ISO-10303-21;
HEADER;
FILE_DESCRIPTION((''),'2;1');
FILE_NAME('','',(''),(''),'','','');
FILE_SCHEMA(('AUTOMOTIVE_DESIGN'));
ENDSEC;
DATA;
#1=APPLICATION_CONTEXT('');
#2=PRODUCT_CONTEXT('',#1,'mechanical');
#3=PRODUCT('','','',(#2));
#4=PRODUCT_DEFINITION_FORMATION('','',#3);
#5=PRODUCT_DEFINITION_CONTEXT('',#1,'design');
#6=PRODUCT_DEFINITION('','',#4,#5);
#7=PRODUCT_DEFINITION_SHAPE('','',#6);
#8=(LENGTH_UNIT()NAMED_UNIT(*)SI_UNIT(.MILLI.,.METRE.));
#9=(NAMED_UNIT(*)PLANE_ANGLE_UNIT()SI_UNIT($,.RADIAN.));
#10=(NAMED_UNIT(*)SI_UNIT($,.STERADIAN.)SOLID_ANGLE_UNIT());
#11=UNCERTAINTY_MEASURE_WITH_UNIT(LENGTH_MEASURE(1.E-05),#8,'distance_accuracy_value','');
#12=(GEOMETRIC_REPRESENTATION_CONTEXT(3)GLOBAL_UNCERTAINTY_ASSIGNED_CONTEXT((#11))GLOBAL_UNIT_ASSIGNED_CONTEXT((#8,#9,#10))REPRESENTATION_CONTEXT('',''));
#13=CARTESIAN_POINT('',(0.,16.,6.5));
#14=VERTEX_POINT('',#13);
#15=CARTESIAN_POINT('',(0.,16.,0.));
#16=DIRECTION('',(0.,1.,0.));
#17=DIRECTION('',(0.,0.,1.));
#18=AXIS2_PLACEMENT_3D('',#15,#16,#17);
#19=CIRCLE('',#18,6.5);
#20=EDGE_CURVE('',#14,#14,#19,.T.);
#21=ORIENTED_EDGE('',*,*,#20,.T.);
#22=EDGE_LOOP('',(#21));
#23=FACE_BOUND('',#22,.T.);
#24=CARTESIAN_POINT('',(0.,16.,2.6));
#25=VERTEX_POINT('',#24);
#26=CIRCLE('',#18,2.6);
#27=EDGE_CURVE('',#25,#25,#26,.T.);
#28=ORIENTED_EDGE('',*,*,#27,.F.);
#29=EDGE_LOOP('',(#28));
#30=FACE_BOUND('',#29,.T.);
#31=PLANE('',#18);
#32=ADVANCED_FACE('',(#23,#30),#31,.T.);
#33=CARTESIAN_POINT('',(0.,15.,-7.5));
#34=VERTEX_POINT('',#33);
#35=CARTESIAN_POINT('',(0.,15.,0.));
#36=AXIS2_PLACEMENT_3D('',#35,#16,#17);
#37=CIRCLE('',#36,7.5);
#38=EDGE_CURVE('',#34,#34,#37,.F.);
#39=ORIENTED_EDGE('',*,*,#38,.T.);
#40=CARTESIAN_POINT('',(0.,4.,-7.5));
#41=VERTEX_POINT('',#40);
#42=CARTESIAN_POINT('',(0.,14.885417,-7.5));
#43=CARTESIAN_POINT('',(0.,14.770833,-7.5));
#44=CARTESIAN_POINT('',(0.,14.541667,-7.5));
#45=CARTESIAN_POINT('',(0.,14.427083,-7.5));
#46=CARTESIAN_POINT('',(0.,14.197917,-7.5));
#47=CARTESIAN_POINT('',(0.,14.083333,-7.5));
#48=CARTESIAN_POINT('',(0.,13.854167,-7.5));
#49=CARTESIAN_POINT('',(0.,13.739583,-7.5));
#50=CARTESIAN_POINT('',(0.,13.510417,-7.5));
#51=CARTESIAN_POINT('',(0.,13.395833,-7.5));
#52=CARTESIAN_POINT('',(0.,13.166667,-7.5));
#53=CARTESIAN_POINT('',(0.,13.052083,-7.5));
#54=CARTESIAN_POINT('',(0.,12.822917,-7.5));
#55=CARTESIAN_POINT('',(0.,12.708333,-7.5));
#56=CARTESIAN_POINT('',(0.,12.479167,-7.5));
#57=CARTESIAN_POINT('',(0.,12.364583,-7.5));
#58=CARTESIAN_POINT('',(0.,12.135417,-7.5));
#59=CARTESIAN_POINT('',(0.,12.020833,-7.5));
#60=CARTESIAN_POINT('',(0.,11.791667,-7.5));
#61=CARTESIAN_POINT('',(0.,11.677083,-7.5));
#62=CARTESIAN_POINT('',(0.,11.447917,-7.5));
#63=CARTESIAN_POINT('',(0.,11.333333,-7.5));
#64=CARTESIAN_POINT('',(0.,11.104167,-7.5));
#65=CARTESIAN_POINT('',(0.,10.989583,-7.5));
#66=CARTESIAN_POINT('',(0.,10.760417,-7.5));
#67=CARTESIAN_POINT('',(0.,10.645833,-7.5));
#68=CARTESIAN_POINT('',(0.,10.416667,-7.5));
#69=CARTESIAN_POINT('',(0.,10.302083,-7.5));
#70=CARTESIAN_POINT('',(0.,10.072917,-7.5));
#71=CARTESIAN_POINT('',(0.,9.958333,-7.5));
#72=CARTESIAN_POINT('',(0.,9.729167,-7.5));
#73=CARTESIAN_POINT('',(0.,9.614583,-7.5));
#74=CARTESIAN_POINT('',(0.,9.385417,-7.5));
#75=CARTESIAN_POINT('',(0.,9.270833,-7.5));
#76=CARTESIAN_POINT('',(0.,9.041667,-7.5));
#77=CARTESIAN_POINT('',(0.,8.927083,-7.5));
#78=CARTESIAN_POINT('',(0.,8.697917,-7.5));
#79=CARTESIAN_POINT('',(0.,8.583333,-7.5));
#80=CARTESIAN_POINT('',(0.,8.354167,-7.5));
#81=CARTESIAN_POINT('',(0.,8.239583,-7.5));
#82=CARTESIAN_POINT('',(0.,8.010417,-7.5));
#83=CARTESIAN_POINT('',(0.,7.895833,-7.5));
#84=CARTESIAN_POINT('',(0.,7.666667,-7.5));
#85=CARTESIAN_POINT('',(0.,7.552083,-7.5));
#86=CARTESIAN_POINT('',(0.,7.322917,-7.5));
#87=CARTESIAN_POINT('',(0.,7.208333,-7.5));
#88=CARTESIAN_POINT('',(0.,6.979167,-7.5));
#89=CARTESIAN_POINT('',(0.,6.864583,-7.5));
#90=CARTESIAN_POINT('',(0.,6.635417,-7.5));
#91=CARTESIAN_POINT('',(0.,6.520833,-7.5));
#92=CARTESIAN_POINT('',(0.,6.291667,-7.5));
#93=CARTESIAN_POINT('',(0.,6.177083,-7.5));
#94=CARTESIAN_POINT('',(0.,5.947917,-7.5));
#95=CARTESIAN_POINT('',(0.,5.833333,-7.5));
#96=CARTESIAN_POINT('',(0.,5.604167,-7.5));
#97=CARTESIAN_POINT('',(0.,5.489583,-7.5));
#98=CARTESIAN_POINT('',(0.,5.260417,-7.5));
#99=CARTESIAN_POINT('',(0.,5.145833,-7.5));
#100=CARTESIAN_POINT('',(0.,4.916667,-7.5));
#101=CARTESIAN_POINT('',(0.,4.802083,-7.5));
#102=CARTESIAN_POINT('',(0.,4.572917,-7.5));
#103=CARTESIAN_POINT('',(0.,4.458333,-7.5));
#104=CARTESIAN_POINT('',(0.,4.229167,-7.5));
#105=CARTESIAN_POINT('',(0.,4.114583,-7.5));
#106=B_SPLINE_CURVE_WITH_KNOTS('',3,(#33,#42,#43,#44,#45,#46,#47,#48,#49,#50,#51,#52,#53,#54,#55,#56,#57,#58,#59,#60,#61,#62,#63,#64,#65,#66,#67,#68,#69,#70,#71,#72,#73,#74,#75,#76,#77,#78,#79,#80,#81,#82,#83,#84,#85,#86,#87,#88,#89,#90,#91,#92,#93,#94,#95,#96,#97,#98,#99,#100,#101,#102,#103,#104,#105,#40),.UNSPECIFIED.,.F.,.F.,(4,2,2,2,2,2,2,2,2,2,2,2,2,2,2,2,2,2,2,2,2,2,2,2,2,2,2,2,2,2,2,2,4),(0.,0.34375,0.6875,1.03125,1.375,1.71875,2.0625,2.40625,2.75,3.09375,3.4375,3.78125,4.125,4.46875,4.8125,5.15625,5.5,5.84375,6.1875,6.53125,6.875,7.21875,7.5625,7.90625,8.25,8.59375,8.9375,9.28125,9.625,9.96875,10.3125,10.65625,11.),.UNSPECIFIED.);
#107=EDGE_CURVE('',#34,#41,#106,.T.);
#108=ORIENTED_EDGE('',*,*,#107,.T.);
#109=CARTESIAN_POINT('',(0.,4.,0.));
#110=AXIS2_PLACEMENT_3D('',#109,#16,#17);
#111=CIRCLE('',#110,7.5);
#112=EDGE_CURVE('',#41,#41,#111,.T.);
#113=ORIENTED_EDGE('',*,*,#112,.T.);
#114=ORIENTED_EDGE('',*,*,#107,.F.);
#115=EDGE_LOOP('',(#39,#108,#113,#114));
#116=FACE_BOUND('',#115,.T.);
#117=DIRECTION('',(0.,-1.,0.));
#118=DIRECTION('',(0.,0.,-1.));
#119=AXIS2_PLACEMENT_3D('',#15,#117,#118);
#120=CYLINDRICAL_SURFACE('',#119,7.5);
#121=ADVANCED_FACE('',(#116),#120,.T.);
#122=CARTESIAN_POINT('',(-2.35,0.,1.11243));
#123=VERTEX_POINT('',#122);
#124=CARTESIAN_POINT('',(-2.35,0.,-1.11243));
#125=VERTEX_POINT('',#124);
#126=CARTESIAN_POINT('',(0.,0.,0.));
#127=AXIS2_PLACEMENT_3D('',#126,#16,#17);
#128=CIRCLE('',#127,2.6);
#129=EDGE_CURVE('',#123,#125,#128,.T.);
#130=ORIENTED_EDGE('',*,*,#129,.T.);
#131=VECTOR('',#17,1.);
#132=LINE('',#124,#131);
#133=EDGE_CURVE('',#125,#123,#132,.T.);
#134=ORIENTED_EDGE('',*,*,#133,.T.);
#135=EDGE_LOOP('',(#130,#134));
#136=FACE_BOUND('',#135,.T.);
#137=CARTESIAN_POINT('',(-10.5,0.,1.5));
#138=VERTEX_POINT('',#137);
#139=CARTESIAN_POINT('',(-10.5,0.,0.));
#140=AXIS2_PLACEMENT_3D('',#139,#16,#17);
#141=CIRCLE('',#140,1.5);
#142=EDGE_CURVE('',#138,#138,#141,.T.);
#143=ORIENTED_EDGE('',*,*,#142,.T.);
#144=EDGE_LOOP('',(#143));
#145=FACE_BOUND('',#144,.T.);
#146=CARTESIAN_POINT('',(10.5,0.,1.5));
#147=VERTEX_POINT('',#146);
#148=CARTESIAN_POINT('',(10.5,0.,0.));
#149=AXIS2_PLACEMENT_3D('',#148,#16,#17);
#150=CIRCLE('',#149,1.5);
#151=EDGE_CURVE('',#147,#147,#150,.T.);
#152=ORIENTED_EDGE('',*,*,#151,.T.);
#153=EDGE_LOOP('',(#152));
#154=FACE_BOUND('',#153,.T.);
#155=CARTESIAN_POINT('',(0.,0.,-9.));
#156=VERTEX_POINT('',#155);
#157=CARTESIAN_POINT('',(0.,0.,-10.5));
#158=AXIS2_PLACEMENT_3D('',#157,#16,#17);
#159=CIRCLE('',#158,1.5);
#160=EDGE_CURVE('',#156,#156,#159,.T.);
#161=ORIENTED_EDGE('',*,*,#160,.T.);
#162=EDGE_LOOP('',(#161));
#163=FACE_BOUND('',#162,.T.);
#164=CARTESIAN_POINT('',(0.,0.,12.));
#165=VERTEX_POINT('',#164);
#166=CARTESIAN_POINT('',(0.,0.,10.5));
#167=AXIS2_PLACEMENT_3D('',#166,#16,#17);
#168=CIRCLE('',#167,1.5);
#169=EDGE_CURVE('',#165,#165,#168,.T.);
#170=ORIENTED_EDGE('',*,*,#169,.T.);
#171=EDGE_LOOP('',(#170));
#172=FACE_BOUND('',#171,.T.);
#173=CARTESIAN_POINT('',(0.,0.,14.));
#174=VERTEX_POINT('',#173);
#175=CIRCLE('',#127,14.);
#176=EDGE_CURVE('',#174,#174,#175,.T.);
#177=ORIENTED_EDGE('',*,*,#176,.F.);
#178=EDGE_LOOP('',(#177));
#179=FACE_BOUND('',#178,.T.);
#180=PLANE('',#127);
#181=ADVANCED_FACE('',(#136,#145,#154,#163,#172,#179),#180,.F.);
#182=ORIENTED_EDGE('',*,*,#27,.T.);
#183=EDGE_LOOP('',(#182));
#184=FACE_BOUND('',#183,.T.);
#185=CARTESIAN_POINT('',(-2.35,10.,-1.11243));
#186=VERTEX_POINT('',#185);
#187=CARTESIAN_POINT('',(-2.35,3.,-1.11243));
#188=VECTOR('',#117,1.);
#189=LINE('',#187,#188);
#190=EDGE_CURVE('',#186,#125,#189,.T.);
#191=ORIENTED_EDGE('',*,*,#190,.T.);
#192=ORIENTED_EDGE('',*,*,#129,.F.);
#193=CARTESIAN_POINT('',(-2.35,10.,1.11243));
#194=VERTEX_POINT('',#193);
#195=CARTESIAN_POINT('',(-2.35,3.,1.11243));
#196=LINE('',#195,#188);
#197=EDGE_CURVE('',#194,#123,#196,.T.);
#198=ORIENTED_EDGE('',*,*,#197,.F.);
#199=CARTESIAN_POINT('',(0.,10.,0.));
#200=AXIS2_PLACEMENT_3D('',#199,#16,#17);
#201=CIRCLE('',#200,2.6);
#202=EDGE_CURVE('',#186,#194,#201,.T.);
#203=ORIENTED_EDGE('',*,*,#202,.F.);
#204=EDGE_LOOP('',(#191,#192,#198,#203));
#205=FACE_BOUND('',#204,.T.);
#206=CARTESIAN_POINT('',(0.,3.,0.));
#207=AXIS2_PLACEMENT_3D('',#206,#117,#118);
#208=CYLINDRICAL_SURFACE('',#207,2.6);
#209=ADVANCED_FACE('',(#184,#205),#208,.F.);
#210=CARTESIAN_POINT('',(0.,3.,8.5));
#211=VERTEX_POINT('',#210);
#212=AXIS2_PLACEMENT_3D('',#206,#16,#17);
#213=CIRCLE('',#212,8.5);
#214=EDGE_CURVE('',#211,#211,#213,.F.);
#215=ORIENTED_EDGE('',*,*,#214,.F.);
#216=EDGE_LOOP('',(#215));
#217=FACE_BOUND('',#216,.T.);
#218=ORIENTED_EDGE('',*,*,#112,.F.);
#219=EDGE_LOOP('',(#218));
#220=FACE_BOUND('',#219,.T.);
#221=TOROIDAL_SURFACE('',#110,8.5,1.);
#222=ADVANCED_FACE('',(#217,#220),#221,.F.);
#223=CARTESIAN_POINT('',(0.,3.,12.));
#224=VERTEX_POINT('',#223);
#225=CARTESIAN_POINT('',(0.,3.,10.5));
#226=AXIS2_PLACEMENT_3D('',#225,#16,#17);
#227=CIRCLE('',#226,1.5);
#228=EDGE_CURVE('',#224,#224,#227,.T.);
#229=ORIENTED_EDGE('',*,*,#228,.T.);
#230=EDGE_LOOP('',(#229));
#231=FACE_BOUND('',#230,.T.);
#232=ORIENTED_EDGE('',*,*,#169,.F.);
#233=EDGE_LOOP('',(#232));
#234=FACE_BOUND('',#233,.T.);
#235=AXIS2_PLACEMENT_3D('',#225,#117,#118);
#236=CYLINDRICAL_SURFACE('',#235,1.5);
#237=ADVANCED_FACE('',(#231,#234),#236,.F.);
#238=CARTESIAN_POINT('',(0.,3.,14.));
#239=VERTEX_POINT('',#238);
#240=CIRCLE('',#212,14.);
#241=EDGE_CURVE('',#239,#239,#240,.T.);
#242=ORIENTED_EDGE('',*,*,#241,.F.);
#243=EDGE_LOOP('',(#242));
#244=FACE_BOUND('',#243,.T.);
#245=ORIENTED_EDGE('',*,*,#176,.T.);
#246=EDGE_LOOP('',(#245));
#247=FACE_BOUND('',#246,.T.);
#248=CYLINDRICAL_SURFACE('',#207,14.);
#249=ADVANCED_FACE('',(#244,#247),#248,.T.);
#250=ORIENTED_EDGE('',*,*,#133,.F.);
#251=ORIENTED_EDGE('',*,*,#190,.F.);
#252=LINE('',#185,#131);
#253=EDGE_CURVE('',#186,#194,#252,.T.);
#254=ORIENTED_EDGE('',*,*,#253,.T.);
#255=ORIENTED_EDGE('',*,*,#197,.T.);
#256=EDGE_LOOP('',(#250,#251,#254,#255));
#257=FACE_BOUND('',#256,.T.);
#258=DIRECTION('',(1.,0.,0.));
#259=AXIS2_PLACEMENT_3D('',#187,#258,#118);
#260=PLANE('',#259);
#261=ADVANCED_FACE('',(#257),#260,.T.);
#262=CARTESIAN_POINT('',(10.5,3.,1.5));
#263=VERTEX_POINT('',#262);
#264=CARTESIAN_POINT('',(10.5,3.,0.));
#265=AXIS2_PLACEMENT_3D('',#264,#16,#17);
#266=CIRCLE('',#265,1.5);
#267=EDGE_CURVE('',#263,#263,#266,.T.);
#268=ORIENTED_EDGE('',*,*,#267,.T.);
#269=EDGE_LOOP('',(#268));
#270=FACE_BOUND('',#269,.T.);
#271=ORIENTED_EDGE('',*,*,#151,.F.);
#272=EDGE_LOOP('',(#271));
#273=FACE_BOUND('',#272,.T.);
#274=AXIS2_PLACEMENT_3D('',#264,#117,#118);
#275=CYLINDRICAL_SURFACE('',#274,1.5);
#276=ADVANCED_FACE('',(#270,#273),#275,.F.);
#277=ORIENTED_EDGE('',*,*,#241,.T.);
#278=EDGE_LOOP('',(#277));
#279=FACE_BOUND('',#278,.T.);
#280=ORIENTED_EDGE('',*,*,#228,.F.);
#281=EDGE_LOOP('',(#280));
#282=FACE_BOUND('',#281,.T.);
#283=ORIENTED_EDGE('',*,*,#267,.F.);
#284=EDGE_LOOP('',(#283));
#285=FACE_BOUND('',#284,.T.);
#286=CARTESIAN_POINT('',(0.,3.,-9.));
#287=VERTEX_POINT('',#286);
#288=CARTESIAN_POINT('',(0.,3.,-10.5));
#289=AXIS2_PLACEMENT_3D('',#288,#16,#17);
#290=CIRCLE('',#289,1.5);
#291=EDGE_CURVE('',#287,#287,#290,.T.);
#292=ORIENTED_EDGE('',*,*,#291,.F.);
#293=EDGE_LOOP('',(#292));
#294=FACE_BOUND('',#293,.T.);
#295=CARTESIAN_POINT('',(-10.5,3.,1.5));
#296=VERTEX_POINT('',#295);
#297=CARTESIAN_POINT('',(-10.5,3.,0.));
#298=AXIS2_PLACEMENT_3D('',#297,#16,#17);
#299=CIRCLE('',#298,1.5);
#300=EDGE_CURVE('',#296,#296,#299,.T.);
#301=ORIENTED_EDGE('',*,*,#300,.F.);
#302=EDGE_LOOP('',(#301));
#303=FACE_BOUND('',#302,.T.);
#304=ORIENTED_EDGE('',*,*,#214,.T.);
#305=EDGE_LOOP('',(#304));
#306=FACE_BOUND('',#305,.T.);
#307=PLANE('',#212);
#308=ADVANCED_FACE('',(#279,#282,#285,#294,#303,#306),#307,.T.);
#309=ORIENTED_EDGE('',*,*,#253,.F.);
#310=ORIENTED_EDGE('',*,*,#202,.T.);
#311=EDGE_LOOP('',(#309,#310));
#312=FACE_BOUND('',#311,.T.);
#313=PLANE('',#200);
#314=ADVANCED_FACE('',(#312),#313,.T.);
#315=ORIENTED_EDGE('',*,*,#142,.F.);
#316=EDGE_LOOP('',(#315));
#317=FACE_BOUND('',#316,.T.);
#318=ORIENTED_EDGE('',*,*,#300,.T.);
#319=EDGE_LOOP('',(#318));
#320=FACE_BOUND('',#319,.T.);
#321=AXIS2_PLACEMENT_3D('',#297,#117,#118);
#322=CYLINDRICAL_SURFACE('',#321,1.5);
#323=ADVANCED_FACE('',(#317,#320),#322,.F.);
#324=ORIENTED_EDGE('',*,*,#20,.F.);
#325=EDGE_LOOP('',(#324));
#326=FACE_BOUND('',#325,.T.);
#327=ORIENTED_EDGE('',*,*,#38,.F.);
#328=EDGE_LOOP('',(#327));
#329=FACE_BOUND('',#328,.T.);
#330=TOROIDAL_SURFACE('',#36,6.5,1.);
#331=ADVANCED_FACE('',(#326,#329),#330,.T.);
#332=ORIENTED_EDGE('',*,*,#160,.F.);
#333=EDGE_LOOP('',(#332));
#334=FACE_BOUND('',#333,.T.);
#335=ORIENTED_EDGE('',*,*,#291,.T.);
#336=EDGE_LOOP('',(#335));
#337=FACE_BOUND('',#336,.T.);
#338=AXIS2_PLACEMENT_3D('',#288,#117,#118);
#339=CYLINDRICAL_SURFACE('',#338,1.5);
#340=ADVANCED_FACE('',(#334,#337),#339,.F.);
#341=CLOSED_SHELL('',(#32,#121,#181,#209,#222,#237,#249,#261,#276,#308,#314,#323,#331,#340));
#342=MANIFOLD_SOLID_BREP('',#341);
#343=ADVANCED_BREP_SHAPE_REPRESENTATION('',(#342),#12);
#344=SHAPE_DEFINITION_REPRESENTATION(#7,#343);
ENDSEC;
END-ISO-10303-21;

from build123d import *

# Parameters (mm, degrees)
SKETCH1_R           = 14
SKETCH1_R_2         = 1.5
BOSS_EXTRUDE1_DEPTH = 3
SKETCH2_R           = 7.5
BOSS_EXTRUDE2_DEPTH = 13
FILLET1_R           = 1
CUT_EXTRUDE2_START  = -6
SKETCH4_R           = 2.6
CUT_EXTRUDE2_DEPTH  = 6


with BuildPart() as part:
    # Sketch1 → Boss-Extrude1 (new body)
    with BuildSketch(Plane(origin=(0, 0, 0), x_dir=(1, 0, 0), z_dir=(0, 1, 0))):
        with Locations(Location((0, 0, 0), (0, 0, 270))):
            Circle(SKETCH1_R)
        with Locations(Location((0, 10.5, 0), (0, 0, 270))):
            Circle(SKETCH1_R_2, mode=Mode.SUBTRACT)
        with Locations(Location((10.5, 0, 0), (0, 0, 270))):
            Circle(SKETCH1_R_2, mode=Mode.SUBTRACT)
        with Locations(Location((0, -10.5, 0), (0, 0, 270))):
            Circle(SKETCH1_R_2, mode=Mode.SUBTRACT)
        with Locations(Location((-10.5, 0, 0), (0, 0, 270))):
            Circle(SKETCH1_R_2, mode=Mode.SUBTRACT)
        with BuildLine():
            Line((-2.35, 1.112429773), (-2.35, -1.112429773))
            ThreePointArc((-2.35, -1.112429773), (2.6, 0), (-2.35, 1.112429773))
        make_face(mode=Mode.SUBTRACT)
    extrude(amount=BOSS_EXTRUDE1_DEPTH)

    # Sketch2 → Boss-Extrude2 (add)
    with BuildSketch(Plane(origin=(0, 3, 0), x_dir=(1, 0, 0), z_dir=(0, 1, 0))):
        with Locations(Location((0, 0, 0), (0, 0, 90))):
            Circle(SKETCH2_R)
        with BuildLine():
            Line((-2.35, 1.112429773), (-2.35, -1.112429773))
            ThreePointArc((-2.35, -1.112429773), (2.6, 0), (-2.35, 1.112429773))
        make_face(mode=Mode.SUBTRACT)
    extrude(amount=BOSS_EXTRUDE2_DEPTH)

    # Fillet1
    fillet1_edges = [part.edges().sort_by_distance(p)[0] for p in [
        (0, 3, 7.5),
        (0, 16, 7.5),
    ]]
    fillet(fillet1_edges, radius=FILLET1_R)

    # Sketch4 → Cut-Extrude2 (cut)
    with BuildSketch(Plane(origin=(0, 16, 0), x_dir=(1, 0, 0), z_dir=(0, 1, 0)).offset(CUT_EXTRUDE2_START)):
        with Locations(Location((0, 0, 0), (0, 0, 154.668324983))):
            Circle(SKETCH4_R)
    extrude(amount=CUT_EXTRUDE2_DEPTH, mode=Mode.SUBTRACT)


solid = part.part
